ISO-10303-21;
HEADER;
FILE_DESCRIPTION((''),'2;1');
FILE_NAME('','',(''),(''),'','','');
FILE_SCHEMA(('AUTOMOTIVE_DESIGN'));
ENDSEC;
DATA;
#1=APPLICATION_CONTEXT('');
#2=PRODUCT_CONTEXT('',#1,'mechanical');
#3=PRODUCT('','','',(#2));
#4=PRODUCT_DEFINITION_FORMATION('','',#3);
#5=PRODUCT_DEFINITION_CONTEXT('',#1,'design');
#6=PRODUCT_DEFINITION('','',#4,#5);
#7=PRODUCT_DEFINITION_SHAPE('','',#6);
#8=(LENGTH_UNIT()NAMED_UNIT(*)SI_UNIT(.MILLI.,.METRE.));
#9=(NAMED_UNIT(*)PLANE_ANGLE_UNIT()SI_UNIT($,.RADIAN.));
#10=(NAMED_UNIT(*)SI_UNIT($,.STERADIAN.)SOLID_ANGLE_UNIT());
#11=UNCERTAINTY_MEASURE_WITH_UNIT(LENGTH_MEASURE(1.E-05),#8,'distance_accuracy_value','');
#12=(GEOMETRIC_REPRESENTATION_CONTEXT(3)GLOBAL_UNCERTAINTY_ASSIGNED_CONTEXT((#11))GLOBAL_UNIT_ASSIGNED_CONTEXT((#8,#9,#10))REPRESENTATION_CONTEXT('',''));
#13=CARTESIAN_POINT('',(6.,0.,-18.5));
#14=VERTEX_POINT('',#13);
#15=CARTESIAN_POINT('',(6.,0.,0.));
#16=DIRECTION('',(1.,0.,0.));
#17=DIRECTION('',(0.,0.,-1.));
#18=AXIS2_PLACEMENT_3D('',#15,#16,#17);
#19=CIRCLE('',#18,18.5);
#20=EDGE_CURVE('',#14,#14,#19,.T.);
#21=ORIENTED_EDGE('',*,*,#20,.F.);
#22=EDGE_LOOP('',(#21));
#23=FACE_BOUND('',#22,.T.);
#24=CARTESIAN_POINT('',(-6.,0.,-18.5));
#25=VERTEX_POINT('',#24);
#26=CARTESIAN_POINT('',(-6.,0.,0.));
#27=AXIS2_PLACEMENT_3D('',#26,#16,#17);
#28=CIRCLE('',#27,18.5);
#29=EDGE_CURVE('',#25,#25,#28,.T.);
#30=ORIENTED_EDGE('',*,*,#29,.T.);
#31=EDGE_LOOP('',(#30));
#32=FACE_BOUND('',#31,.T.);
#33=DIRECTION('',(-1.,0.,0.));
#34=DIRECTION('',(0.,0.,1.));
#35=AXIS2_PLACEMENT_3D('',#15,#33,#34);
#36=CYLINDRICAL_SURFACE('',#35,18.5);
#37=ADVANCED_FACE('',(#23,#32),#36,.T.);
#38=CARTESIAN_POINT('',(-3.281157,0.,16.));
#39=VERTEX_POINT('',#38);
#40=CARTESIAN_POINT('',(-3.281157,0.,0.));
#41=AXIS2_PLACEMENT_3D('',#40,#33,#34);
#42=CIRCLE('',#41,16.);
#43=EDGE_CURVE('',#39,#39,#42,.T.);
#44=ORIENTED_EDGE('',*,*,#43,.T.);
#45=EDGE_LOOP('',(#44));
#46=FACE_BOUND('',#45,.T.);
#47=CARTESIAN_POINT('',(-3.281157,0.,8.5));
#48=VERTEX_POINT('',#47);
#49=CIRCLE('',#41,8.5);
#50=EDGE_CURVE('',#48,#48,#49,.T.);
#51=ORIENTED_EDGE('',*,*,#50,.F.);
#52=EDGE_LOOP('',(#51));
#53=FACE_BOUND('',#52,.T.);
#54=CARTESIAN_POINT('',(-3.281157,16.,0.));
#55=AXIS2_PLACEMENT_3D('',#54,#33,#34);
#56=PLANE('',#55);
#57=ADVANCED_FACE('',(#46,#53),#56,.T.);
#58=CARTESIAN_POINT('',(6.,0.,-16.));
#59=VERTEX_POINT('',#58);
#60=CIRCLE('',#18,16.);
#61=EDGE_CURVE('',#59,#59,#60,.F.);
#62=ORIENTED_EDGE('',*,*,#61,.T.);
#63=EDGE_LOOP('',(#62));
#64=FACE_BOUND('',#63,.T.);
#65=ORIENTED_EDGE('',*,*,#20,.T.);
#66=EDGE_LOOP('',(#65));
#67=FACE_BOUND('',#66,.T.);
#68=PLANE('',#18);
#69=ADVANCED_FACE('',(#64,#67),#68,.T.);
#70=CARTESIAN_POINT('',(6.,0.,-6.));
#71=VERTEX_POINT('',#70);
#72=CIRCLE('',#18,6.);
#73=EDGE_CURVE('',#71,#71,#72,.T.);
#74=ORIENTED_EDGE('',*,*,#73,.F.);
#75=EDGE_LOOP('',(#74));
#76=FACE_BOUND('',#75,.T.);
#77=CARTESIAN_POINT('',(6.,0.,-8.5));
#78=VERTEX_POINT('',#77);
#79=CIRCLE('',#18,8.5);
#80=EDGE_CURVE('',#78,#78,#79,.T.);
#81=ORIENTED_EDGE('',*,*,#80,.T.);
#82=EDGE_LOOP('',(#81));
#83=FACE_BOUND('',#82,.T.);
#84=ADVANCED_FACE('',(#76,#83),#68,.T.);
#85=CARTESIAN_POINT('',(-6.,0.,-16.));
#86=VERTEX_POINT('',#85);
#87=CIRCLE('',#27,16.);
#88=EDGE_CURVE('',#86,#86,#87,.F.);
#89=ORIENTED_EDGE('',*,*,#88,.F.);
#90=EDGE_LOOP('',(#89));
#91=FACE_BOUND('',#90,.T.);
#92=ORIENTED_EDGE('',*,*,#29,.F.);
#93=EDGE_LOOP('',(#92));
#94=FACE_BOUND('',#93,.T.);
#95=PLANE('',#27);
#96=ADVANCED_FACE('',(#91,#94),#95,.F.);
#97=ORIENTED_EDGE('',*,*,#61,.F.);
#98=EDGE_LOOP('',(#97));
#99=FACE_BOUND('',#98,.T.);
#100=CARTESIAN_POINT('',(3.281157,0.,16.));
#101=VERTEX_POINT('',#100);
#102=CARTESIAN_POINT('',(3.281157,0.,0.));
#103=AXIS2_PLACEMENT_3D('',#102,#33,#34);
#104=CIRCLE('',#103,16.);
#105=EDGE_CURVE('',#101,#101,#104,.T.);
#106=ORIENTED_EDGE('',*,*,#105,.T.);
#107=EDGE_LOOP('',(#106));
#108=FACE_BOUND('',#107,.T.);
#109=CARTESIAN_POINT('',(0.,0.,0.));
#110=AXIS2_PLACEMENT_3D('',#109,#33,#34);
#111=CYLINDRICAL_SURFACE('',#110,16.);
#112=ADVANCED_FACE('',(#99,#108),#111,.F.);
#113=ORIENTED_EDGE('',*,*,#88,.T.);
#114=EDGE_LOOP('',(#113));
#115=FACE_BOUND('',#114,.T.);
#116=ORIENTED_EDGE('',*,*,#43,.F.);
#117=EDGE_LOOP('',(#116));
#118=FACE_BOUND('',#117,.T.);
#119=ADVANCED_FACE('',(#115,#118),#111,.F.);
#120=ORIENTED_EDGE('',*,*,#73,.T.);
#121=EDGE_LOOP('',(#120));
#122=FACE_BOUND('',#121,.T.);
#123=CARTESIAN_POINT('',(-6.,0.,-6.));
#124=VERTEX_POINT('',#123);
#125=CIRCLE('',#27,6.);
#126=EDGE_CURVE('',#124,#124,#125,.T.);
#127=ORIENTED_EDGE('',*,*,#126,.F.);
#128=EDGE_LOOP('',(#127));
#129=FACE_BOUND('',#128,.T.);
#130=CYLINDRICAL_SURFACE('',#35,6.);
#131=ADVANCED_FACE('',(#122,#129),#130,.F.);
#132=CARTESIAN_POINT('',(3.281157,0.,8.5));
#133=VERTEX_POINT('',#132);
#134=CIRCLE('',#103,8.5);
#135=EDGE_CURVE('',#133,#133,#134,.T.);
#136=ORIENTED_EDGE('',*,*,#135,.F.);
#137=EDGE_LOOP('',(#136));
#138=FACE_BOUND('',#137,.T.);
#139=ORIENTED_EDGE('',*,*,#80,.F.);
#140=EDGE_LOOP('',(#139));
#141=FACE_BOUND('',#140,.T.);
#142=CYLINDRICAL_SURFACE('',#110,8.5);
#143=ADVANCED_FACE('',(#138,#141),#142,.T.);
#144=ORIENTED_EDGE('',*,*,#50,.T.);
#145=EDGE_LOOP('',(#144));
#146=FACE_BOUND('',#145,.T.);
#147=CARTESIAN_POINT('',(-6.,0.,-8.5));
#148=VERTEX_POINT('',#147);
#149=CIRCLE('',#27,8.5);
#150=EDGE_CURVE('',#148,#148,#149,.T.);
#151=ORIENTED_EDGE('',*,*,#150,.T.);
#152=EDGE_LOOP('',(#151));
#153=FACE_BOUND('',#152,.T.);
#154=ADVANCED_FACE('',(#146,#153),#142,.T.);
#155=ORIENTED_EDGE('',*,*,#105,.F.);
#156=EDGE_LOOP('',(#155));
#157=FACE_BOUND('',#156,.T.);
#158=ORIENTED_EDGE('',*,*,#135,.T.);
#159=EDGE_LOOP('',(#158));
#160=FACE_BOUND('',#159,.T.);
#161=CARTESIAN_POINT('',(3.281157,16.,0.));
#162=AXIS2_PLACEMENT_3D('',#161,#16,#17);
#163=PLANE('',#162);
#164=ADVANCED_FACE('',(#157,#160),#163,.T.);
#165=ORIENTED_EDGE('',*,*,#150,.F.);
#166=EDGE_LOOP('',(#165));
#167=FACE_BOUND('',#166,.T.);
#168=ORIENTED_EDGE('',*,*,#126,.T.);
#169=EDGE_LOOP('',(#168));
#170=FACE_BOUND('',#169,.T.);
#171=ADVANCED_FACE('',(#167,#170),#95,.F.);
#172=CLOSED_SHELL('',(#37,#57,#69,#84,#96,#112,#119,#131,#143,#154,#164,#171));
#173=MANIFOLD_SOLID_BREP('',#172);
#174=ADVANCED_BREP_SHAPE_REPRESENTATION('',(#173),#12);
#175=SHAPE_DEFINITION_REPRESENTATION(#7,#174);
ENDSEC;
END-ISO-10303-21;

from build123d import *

# Parameters (mm, degrees)
SKETCH1_R           = 18.5
SKETCH1_R_2         = 6
BOSS_EXTRUDE1_DEPTH = 6
SKETCH2_W           = 5.43768574
SKETCH2_H           = 7.5


with BuildPart() as part:
    # Sketch1 → Boss-Extrude1 (new, symmetric)
    with BuildSketch(Plane(origin=(0, 0, 0), x_dir=(0, 0, -1), z_dir=(1, 0, 0))):
        Circle(SKETCH1_R)
        Circle(SKETCH1_R_2, mode=Mode.SUBTRACT)
    extrude(amount=BOSS_EXTRUDE1_DEPTH, both=True)

    # Sketch2 → Cut-Revolve1 (revolve, cut)
    with BuildSketch(Plane.XY, mode=Mode.PRIVATE) as cut_revolve1_sk:
        with Locations((6, 12.25)):
            Rectangle(SKETCH2_W, SKETCH2_H)
        with Locations((-6, 12.25)):
            Rectangle(SKETCH2_W, SKETCH2_H)
    revolve(cut_revolve1_sk.sketch.rotate(Axis((0, 0, 0), (1, 0, 0)), 90), axis=Axis((0, 0, 0), (1, 0, 0)), mode=Mode.SUBTRACT)


solid = part.part
